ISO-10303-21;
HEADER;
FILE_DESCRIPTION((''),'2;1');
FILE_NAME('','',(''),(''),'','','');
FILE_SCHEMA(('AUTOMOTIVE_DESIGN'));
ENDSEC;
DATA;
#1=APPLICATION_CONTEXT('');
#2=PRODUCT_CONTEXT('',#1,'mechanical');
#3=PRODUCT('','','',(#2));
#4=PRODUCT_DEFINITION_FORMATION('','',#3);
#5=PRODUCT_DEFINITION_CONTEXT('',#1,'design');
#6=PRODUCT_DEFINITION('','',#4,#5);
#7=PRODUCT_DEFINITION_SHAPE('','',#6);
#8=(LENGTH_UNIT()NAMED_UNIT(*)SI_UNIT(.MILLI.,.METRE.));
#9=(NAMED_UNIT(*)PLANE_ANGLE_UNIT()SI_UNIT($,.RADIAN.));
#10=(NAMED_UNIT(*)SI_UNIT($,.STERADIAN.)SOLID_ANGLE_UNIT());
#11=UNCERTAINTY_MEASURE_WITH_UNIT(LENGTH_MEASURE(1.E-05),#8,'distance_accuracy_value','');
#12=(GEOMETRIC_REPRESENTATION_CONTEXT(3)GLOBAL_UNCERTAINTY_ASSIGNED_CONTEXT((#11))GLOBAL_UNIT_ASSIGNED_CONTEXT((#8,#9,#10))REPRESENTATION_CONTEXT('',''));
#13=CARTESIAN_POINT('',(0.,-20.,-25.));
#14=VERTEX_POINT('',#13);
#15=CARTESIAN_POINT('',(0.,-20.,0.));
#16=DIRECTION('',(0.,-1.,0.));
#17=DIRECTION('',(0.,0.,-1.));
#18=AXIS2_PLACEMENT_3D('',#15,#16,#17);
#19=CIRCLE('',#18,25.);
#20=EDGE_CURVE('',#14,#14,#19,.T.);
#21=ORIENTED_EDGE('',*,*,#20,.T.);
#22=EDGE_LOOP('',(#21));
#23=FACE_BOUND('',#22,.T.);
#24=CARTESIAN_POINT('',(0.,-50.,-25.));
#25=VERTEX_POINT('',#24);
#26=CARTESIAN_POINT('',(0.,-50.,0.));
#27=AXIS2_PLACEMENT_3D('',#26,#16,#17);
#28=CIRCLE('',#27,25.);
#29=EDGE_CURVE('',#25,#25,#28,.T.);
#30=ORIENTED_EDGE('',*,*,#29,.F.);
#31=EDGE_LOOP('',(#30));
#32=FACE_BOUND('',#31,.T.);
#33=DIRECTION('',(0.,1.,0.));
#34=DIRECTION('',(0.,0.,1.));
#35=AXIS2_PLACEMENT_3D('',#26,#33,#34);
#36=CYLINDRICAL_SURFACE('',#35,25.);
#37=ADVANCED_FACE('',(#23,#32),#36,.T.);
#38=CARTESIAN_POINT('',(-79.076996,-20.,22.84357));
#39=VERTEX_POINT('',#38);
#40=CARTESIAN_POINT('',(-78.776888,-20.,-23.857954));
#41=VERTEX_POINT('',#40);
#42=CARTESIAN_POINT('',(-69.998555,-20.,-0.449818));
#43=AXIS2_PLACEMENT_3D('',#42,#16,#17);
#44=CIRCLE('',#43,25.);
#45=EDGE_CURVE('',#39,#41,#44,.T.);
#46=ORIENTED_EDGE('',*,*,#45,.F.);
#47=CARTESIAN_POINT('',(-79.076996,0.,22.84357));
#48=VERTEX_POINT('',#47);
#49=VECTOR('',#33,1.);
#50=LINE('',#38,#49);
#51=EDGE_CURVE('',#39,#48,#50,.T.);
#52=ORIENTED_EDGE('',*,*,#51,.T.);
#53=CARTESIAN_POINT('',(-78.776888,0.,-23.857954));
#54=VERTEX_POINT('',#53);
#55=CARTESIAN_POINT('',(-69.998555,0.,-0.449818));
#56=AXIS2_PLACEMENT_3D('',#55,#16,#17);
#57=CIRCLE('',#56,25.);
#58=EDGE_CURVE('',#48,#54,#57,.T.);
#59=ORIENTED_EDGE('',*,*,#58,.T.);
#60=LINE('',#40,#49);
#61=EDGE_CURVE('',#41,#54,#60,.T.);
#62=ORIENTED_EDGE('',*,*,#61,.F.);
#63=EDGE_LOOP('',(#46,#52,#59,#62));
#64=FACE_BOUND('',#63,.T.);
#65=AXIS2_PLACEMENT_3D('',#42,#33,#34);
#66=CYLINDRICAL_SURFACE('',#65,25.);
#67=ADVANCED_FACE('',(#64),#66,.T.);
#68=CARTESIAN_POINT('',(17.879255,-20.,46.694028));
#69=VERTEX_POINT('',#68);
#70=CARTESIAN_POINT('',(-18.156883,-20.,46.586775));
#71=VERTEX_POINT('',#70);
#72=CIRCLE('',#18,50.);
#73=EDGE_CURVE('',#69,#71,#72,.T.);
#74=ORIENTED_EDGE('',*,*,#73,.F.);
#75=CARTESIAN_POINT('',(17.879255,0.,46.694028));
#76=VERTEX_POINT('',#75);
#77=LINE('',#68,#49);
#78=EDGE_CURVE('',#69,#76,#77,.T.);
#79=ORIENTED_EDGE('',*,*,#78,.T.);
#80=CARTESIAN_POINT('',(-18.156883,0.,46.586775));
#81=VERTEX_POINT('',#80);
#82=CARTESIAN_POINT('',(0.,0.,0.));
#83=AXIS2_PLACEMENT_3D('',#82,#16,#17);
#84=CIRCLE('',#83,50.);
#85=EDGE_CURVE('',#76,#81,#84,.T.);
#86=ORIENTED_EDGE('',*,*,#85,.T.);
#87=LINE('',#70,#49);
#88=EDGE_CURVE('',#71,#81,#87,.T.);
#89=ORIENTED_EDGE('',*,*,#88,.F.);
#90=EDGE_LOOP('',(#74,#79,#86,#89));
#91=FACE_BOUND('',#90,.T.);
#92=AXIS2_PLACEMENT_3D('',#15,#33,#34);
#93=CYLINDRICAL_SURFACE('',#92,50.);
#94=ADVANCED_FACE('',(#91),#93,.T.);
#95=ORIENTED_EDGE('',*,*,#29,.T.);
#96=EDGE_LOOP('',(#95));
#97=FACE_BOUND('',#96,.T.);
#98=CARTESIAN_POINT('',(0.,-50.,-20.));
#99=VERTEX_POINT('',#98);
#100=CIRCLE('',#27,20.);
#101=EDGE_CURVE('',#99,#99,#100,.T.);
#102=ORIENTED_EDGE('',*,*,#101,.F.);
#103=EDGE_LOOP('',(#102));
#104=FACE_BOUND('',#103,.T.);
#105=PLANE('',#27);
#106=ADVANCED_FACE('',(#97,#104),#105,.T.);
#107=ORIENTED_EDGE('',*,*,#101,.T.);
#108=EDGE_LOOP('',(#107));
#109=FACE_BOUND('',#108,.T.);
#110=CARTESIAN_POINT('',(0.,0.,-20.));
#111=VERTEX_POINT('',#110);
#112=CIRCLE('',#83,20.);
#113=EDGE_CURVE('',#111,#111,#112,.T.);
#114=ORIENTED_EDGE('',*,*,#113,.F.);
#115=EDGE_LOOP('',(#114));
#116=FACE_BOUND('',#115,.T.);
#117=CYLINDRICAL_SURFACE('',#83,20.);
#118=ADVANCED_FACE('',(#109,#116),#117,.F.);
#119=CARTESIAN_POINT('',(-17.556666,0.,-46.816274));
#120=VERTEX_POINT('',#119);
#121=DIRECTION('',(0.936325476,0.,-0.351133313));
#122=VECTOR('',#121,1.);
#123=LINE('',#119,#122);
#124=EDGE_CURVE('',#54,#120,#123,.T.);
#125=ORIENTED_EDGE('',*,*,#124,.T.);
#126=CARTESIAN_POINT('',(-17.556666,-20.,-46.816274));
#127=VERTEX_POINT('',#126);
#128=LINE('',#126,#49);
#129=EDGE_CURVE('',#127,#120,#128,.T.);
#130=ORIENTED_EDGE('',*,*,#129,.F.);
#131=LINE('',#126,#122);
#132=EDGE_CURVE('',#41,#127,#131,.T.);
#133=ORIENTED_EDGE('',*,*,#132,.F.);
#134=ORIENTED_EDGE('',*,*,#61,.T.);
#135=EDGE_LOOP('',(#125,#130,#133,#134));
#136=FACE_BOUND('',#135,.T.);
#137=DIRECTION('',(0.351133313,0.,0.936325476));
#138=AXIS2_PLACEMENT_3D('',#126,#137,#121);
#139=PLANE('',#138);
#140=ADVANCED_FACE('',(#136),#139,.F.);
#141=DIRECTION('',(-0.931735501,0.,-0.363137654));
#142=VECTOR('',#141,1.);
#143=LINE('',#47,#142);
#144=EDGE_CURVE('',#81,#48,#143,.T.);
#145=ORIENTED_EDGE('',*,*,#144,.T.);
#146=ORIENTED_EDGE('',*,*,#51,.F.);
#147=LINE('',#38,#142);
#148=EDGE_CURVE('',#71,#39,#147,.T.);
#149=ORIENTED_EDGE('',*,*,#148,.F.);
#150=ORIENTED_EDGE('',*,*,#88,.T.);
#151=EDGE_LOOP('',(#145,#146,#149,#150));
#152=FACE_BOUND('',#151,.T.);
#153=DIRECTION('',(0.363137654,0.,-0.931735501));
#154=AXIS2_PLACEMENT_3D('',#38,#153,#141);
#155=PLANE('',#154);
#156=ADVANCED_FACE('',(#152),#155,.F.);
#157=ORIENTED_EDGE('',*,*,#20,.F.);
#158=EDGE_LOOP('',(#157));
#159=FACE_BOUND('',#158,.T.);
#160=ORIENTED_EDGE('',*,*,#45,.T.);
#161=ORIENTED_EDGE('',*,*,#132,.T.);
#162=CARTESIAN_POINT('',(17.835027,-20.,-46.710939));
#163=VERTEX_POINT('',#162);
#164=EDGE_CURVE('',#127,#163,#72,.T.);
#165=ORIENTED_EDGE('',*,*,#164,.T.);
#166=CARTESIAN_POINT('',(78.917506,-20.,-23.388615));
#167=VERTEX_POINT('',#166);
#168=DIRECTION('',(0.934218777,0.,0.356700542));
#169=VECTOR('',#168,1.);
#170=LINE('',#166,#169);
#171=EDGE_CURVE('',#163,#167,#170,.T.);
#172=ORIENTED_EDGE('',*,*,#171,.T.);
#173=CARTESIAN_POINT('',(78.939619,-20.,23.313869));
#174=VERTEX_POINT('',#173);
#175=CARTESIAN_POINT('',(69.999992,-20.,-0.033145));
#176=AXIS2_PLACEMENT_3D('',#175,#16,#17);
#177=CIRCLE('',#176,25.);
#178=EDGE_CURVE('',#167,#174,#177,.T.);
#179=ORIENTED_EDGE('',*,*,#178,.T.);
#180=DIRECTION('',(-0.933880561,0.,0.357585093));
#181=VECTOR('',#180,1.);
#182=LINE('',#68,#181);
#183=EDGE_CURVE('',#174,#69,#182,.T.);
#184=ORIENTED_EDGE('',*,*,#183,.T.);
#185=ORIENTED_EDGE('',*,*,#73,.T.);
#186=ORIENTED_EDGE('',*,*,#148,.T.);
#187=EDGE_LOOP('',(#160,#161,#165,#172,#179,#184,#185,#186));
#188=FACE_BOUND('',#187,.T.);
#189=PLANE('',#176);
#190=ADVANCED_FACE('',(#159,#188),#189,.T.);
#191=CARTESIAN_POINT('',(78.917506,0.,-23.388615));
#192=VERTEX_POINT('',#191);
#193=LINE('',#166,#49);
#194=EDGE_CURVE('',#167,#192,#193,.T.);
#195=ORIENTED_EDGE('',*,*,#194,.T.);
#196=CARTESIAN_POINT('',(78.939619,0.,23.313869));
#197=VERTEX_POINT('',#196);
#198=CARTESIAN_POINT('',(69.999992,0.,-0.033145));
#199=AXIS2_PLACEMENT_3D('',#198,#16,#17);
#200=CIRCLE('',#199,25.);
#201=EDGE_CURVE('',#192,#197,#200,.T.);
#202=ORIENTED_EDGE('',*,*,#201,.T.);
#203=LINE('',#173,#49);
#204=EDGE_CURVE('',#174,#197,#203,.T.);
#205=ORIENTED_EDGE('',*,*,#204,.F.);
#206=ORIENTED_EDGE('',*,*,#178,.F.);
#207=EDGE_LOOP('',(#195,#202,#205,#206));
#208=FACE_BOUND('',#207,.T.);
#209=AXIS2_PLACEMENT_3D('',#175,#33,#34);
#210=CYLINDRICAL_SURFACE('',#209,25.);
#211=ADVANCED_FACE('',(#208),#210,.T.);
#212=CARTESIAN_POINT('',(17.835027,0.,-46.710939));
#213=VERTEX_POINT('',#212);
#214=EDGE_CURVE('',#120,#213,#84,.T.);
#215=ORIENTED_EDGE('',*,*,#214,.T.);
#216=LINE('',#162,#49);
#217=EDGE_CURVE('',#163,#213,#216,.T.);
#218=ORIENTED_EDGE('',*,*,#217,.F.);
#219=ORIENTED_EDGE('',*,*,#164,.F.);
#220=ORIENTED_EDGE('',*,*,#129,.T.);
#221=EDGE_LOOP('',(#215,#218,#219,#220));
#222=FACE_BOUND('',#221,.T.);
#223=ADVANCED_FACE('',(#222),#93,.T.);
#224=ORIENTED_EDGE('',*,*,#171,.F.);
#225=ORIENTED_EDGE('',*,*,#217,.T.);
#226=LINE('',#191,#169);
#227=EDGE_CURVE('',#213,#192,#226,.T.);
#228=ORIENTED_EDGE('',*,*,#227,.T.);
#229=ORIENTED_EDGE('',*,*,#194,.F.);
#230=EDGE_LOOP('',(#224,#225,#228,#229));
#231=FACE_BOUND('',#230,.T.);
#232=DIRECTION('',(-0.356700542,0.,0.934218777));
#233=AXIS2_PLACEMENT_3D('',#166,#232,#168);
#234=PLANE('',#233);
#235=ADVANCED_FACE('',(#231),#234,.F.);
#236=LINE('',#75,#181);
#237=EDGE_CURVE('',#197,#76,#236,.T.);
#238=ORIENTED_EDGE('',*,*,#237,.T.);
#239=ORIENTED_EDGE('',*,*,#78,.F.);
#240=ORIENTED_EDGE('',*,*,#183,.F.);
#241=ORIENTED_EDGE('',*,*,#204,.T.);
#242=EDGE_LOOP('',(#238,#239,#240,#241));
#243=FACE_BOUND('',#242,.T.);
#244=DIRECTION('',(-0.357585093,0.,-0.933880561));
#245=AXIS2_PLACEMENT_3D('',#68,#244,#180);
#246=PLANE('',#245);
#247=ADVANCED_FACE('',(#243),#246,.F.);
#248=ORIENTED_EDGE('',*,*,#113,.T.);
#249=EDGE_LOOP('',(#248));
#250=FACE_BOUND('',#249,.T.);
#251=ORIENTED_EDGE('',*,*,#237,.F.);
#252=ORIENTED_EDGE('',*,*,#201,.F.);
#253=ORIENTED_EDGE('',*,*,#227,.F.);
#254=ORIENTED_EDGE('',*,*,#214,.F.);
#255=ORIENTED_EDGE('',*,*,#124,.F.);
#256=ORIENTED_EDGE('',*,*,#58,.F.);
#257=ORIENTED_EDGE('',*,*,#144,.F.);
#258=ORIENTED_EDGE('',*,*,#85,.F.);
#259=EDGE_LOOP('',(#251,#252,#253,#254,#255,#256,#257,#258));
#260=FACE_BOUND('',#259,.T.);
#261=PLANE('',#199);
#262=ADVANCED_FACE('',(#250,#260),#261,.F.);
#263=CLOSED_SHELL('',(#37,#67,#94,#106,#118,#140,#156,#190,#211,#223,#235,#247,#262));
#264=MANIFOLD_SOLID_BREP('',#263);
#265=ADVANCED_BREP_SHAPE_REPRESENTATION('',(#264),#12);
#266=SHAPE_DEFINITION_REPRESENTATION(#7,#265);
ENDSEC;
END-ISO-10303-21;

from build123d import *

# Parameters (mm, degrees)
EXTRUDE_419_DEPTH   = 20
SKETCH1_R           = 25
BOSS_EXTRUDE1_DEPTH = 30
SKETCH2_R           = 20
CUT_EXTRUDE1_DEPTH  = 119.427186528


with BuildPart() as part:
    # Эскиз1 → Extrude 419 (new body)
    with BuildSketch(Plane(origin=(0, 0, 0), x_dir=(-1, 0, 0), z_dir=(0, -1, 0))):
        with BuildLine():
            Line((-78.917505692, 23.388614652), (-17.835027079, 46.710938859))
            ThreePointArc((-17.835027079, 46.710938859), (-0.148812417, 49.999778548), (17.556665634, 46.816273793))
            Line((17.556665634, 46.816273793), (78.776887546, 23.857954408))
            ThreePointArc((78.776887546, 23.857954408), (94.998038561, 0.610466623), (79.076996078, -22.84357002))
            Line((79.076996078, -22.84357002), (18.156882698, -46.586775062))
            ThreePointArc((18.156882698, -46.586775062), (0.148812417, -49.999778548), (-17.879254632, -46.694028031))
            Line((-17.879254632, -46.694028031), (-78.939619469, -23.313868793))
            ThreePointArc((-78.939619469, -23.313868793), (-94.99998935, 0.044982802), (-78.917505692, 23.388614652))
        make_face()
    extrude(amount=EXTRUDE_419_DEPTH)

    # Sketch1 → Boss-Extrude1 (add)
    with BuildSketch(Plane.XZ.offset(20)):
        with Locations(Location((0, 0, 0), (0, 0, 270))):
            Circle(SKETCH1_R)
    extrude(amount=BOSS_EXTRUDE1_DEPTH)

    # Sketch2 → Cut-Extrude1 (cut, through all)
    with BuildSketch(Plane.XZ.offset(50)):
        with Locations(Location((0, 0, 0), (0, 0, 270))):
            Circle(SKETCH2_R)
    extrude(amount=-CUT_EXTRUDE1_DEPTH, mode=Mode.SUBTRACT)


solid = part.part
